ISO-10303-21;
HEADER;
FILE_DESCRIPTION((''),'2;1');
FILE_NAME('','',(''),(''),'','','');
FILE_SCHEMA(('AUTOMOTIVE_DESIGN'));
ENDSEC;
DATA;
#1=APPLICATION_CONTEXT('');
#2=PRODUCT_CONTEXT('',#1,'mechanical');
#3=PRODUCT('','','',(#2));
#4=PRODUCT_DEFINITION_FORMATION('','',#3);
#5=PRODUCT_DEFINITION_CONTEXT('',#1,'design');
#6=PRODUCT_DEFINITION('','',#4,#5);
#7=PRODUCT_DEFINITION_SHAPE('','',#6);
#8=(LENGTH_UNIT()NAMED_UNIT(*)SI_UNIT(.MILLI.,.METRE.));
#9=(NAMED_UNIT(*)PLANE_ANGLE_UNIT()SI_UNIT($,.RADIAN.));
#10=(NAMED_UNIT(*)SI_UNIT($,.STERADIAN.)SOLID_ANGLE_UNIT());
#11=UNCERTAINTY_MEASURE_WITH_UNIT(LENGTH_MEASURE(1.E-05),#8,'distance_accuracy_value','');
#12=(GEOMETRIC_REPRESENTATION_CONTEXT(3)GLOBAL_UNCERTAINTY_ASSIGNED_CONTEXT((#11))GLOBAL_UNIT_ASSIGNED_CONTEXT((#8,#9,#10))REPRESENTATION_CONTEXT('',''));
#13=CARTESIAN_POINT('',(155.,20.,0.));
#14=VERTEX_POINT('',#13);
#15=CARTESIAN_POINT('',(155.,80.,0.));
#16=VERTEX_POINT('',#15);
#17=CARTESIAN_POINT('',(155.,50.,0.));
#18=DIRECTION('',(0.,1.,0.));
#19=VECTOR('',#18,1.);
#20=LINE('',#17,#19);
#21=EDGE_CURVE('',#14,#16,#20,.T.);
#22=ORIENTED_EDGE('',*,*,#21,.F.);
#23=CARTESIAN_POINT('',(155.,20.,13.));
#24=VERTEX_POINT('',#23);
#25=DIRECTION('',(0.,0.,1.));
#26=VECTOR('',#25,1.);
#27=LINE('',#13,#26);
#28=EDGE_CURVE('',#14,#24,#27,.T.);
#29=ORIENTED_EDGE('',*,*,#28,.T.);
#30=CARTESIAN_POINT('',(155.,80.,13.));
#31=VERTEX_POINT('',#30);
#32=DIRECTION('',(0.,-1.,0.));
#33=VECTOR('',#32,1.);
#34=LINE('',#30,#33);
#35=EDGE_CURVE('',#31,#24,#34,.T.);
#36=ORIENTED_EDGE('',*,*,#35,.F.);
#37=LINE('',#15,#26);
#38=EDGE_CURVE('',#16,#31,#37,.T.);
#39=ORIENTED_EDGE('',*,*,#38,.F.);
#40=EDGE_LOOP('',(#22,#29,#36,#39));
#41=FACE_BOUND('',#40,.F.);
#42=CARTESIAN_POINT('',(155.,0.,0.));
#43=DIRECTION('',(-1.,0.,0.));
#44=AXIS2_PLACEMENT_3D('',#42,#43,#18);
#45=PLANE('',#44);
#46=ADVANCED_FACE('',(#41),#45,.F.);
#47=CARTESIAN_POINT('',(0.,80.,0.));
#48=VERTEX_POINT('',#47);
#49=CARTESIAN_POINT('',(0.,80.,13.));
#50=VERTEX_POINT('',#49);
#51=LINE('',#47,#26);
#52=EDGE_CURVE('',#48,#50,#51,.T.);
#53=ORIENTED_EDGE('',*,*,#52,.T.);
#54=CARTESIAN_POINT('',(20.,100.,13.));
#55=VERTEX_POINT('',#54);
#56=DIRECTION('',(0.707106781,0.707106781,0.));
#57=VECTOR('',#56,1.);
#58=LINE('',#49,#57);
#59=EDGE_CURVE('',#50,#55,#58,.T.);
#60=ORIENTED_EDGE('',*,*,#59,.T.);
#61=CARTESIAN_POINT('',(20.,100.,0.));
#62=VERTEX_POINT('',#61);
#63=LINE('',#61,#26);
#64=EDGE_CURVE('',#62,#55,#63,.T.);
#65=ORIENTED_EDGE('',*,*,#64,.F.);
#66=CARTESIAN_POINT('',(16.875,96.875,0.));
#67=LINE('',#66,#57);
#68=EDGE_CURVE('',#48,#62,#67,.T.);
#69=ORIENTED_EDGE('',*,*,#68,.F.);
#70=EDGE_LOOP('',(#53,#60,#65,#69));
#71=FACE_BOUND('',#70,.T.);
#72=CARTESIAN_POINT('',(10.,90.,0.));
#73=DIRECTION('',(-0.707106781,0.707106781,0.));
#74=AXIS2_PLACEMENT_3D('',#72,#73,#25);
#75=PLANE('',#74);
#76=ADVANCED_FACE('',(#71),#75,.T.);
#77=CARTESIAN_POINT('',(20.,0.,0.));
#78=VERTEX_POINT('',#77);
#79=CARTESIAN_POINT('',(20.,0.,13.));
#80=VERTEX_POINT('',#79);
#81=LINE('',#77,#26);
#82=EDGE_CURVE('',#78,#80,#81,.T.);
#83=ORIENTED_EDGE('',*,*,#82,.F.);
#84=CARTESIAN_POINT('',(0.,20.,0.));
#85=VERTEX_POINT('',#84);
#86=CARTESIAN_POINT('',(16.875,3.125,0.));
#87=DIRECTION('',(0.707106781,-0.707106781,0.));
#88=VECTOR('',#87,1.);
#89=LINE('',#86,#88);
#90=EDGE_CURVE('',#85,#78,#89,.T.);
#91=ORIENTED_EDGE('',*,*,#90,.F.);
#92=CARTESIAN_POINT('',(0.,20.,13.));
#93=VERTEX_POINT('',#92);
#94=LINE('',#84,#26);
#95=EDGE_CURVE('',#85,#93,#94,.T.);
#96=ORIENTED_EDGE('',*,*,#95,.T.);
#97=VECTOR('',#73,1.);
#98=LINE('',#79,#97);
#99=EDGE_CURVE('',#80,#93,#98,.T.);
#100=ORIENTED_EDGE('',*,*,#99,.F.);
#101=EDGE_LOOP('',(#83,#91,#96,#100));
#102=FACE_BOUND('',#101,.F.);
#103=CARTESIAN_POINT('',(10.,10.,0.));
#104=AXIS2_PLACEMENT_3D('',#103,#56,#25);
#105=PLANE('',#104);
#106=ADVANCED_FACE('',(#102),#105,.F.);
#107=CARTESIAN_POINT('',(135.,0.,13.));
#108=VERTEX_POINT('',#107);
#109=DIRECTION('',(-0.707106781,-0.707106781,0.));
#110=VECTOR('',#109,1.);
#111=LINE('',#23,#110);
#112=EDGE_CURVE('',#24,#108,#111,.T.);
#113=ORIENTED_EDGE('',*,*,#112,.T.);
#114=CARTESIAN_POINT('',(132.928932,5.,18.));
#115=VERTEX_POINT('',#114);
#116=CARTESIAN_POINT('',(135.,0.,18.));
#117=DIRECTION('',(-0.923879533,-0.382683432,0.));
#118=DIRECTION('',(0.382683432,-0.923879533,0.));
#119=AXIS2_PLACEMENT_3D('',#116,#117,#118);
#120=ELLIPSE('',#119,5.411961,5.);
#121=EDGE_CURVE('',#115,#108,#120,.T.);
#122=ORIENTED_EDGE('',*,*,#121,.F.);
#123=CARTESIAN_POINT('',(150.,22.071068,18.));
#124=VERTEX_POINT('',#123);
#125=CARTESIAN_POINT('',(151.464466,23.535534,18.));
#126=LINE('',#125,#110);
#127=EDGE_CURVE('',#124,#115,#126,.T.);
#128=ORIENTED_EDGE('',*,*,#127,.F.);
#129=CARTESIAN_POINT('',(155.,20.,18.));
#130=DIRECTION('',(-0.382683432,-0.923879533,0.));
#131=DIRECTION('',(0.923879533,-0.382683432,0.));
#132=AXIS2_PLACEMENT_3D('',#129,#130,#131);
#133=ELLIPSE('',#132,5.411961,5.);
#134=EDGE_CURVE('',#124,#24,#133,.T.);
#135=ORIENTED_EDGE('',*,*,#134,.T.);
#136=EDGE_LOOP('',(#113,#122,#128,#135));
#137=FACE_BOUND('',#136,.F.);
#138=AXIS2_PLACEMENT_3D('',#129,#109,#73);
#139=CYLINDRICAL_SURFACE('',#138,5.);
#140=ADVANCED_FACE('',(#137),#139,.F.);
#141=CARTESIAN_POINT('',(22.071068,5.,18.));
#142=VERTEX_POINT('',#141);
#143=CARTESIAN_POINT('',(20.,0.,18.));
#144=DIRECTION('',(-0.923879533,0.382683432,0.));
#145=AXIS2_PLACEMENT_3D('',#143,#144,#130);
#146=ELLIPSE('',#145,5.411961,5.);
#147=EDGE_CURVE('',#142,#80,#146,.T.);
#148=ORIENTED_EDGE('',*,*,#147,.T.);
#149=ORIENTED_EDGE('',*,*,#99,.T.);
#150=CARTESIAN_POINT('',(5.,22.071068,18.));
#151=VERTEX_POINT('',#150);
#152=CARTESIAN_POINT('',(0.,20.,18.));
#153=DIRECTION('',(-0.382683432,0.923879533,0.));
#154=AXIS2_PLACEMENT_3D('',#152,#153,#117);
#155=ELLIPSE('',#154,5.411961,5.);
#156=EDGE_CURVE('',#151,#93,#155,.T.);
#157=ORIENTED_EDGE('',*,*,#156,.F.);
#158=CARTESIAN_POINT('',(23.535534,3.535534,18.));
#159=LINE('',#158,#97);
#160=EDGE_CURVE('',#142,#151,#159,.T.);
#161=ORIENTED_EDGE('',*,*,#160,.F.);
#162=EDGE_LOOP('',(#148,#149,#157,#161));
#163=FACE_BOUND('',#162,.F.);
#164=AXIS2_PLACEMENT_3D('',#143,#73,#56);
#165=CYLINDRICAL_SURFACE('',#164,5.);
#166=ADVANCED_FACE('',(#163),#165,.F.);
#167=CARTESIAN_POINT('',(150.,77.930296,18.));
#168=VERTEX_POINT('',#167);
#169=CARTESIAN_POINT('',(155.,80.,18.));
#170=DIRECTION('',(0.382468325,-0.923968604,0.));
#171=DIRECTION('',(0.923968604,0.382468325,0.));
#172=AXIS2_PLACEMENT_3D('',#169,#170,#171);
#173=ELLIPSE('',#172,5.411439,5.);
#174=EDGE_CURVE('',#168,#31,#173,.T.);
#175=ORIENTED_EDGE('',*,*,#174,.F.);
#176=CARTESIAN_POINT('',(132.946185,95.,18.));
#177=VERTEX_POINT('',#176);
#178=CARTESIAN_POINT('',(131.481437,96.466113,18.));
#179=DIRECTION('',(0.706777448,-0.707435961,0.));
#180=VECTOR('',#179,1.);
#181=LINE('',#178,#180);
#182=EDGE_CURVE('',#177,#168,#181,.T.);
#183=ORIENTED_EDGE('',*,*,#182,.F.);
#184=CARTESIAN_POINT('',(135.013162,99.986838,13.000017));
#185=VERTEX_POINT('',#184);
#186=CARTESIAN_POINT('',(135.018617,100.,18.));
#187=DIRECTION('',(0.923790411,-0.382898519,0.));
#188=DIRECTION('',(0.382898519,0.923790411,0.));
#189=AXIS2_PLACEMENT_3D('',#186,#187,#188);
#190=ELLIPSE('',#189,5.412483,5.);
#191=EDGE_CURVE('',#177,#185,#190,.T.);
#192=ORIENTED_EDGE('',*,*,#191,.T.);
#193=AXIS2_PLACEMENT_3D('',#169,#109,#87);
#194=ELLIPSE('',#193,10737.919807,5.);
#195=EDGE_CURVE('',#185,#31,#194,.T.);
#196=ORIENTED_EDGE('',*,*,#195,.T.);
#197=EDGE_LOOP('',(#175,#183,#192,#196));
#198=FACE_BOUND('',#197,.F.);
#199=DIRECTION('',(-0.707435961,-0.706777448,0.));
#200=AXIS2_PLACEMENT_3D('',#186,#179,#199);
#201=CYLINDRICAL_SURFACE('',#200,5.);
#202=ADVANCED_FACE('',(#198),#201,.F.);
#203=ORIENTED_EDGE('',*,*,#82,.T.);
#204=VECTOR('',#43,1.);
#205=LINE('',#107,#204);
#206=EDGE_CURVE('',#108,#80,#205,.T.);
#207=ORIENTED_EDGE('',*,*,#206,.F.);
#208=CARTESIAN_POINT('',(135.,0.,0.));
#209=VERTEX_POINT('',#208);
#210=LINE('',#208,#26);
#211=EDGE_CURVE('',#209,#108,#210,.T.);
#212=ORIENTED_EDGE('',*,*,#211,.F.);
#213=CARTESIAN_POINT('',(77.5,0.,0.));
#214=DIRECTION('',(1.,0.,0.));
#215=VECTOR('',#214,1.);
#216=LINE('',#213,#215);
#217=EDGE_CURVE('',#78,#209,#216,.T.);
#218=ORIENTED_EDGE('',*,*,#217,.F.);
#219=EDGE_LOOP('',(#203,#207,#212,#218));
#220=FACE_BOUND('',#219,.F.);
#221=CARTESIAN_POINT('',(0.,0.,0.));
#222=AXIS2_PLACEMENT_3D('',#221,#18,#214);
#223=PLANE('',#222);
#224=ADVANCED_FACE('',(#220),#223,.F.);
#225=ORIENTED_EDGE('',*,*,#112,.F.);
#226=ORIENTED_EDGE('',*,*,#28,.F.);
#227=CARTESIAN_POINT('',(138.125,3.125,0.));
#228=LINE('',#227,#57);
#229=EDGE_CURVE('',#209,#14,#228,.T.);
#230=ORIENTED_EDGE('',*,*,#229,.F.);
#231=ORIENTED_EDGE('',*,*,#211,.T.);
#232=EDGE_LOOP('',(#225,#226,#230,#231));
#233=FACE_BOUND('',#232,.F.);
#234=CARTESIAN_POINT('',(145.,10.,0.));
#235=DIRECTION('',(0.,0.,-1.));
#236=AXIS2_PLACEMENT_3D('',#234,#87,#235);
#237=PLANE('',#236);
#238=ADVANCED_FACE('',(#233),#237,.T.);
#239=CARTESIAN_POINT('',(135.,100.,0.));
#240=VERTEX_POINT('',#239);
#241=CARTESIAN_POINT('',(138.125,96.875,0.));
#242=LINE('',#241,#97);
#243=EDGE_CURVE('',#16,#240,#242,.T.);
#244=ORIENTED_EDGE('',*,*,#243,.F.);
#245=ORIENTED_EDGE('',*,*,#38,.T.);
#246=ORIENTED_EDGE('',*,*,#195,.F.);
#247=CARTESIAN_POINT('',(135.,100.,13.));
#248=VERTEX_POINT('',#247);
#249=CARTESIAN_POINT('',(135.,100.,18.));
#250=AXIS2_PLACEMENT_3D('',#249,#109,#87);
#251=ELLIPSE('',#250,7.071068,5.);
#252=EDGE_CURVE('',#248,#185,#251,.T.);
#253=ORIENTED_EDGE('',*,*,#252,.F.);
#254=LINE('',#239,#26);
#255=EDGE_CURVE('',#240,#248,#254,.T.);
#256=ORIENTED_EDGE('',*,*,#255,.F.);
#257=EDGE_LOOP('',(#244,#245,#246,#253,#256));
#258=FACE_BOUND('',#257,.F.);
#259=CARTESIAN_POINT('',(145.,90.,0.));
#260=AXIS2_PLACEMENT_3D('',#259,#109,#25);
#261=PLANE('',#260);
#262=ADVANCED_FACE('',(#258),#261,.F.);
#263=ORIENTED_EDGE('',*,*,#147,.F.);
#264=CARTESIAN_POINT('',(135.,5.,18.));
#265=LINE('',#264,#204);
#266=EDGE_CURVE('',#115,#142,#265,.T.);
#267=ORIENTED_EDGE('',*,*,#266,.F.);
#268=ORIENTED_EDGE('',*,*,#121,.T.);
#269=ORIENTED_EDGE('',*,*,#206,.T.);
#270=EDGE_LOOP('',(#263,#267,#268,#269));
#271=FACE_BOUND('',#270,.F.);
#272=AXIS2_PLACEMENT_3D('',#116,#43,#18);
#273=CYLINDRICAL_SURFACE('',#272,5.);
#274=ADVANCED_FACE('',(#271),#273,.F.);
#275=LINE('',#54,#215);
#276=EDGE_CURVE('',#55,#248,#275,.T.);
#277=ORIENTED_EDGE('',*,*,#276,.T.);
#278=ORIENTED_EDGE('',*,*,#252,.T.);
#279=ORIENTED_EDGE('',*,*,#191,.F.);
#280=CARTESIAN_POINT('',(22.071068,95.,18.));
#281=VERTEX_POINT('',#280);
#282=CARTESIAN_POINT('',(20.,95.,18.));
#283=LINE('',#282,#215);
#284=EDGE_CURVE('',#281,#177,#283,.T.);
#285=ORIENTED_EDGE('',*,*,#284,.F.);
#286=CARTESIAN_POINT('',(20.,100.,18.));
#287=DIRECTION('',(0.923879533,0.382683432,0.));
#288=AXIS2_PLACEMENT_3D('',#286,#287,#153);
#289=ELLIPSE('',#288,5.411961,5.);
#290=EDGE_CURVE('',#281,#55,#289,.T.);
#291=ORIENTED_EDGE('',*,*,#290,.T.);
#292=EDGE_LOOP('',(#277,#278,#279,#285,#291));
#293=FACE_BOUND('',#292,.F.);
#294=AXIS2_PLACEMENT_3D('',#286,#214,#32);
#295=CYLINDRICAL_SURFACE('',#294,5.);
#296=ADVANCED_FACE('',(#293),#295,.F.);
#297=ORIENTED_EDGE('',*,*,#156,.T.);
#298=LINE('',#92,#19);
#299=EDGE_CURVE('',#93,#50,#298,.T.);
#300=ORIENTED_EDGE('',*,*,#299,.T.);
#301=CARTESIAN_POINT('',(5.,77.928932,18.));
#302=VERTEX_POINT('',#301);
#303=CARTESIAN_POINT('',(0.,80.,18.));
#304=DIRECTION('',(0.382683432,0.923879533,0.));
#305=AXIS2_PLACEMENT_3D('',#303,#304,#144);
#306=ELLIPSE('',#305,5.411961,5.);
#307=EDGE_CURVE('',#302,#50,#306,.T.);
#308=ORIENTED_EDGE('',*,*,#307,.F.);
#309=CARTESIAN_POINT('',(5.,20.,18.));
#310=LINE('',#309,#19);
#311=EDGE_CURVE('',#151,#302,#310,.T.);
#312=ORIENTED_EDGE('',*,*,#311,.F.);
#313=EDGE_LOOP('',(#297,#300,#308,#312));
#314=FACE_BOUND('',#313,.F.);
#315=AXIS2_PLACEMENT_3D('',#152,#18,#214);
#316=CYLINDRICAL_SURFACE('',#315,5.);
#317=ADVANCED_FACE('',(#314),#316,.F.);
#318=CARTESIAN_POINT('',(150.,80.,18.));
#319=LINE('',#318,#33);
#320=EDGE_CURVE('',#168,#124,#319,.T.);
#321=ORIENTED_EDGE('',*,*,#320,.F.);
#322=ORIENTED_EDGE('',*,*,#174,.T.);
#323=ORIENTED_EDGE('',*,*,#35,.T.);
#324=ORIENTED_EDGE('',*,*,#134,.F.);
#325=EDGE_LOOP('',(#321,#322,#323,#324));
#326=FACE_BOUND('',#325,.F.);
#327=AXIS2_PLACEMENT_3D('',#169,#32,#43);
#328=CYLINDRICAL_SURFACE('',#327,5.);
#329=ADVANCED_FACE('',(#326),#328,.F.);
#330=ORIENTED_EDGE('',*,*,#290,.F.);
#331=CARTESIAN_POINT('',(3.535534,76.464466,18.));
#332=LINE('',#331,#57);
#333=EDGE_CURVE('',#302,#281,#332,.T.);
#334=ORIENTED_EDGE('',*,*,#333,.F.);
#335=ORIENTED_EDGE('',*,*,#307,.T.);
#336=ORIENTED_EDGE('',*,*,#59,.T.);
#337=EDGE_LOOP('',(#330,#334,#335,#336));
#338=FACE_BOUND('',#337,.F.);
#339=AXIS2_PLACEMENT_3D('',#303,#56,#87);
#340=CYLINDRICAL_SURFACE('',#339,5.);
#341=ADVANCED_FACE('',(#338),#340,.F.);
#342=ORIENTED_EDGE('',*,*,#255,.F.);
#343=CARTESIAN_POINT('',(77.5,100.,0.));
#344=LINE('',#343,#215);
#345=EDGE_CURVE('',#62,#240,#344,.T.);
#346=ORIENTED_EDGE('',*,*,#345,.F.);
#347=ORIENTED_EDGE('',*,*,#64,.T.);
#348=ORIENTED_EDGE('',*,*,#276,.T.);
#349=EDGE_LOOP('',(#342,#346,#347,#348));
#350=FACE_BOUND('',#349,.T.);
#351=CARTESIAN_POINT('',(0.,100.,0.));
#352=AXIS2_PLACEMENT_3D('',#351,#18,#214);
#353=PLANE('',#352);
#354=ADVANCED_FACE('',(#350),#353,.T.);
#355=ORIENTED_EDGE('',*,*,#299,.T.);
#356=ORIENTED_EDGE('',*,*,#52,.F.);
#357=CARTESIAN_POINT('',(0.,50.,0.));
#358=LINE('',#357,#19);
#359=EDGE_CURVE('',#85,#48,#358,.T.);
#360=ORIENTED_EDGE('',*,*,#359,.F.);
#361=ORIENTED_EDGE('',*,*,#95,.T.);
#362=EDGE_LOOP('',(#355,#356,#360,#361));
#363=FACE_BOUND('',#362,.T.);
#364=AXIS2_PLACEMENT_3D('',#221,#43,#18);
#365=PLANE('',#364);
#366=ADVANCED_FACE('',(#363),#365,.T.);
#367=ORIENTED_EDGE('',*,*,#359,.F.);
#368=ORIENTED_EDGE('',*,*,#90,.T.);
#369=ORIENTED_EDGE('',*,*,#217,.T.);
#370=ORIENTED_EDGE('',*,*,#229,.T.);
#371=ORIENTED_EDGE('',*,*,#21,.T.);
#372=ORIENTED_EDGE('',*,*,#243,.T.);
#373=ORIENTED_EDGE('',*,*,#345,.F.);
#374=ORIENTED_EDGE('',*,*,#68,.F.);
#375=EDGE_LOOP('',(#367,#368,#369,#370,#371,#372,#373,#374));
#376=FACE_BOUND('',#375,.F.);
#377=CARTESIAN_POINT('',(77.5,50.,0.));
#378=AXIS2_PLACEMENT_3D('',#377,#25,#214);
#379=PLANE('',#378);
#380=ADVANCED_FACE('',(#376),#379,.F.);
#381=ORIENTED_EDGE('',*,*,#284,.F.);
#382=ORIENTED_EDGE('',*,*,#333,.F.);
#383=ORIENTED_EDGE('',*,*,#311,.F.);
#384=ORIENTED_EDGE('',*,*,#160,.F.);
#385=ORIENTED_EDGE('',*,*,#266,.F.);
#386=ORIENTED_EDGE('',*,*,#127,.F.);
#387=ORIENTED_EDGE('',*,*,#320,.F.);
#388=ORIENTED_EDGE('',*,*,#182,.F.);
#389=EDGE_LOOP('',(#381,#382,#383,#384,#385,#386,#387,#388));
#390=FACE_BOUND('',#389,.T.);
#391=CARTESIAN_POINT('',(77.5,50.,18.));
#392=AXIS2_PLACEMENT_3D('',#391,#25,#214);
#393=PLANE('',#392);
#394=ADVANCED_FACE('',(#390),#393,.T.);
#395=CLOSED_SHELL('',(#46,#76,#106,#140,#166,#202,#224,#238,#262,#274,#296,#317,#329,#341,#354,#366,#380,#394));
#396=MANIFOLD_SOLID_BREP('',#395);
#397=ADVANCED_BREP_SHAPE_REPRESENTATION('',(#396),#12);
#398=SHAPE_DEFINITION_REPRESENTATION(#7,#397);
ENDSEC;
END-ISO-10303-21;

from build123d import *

# Parameters (mm, degrees)
F0_W     = 155
F0_H     = 100
F1_DEPTH = 18
F2_SIZE  = 20
F4_R     = 5


with BuildPart() as f1:
    # F0 (on Top) → F1 (new body)
    with BuildSketch(Plane.XY):
        with Locations((77.5, 50)):
            Rectangle(F0_W, F0_H)
    extrude(amount=F1_DEPTH)

    # F2
    f2_edges = [f1.edges().sort_by_distance(p)[0] for p in [
        (155, 100, 9),
        (155, 0, 9),
        (0, 100, 9),
        (0, 0, 9),
    ]]
    chamfer(f2_edges, length=F2_SIZE)

    # F6: sweep along a path in F5
    with BuildLine(Plane.XY.offset(18)) as f6_path:
        Line((0, 80), (20, 100))
        Line((20, 100), (135.0186169147, 100))
        Line((135.0186169147, 100), (155, 80))
        Line((155, 80), (155, 20))
        Line((155, 20), (135, 0))
        Line((135, 0), (20, 0))
        Line((20, 0), (0, 20))
        Line((0, 20), (0, 25))
        Line((0, 25), (0, 80))
    # F4 (on offset) → F6 (sweep, cut)
    with BuildSketch(Plane.XZ.offset(-25)):
        with Locations((0, 18)):
            Circle(F4_R)
    sweep(path=f6_path.line, transition=Transition.RIGHT, mode=Mode.SUBTRACT)


solid = f1.part
